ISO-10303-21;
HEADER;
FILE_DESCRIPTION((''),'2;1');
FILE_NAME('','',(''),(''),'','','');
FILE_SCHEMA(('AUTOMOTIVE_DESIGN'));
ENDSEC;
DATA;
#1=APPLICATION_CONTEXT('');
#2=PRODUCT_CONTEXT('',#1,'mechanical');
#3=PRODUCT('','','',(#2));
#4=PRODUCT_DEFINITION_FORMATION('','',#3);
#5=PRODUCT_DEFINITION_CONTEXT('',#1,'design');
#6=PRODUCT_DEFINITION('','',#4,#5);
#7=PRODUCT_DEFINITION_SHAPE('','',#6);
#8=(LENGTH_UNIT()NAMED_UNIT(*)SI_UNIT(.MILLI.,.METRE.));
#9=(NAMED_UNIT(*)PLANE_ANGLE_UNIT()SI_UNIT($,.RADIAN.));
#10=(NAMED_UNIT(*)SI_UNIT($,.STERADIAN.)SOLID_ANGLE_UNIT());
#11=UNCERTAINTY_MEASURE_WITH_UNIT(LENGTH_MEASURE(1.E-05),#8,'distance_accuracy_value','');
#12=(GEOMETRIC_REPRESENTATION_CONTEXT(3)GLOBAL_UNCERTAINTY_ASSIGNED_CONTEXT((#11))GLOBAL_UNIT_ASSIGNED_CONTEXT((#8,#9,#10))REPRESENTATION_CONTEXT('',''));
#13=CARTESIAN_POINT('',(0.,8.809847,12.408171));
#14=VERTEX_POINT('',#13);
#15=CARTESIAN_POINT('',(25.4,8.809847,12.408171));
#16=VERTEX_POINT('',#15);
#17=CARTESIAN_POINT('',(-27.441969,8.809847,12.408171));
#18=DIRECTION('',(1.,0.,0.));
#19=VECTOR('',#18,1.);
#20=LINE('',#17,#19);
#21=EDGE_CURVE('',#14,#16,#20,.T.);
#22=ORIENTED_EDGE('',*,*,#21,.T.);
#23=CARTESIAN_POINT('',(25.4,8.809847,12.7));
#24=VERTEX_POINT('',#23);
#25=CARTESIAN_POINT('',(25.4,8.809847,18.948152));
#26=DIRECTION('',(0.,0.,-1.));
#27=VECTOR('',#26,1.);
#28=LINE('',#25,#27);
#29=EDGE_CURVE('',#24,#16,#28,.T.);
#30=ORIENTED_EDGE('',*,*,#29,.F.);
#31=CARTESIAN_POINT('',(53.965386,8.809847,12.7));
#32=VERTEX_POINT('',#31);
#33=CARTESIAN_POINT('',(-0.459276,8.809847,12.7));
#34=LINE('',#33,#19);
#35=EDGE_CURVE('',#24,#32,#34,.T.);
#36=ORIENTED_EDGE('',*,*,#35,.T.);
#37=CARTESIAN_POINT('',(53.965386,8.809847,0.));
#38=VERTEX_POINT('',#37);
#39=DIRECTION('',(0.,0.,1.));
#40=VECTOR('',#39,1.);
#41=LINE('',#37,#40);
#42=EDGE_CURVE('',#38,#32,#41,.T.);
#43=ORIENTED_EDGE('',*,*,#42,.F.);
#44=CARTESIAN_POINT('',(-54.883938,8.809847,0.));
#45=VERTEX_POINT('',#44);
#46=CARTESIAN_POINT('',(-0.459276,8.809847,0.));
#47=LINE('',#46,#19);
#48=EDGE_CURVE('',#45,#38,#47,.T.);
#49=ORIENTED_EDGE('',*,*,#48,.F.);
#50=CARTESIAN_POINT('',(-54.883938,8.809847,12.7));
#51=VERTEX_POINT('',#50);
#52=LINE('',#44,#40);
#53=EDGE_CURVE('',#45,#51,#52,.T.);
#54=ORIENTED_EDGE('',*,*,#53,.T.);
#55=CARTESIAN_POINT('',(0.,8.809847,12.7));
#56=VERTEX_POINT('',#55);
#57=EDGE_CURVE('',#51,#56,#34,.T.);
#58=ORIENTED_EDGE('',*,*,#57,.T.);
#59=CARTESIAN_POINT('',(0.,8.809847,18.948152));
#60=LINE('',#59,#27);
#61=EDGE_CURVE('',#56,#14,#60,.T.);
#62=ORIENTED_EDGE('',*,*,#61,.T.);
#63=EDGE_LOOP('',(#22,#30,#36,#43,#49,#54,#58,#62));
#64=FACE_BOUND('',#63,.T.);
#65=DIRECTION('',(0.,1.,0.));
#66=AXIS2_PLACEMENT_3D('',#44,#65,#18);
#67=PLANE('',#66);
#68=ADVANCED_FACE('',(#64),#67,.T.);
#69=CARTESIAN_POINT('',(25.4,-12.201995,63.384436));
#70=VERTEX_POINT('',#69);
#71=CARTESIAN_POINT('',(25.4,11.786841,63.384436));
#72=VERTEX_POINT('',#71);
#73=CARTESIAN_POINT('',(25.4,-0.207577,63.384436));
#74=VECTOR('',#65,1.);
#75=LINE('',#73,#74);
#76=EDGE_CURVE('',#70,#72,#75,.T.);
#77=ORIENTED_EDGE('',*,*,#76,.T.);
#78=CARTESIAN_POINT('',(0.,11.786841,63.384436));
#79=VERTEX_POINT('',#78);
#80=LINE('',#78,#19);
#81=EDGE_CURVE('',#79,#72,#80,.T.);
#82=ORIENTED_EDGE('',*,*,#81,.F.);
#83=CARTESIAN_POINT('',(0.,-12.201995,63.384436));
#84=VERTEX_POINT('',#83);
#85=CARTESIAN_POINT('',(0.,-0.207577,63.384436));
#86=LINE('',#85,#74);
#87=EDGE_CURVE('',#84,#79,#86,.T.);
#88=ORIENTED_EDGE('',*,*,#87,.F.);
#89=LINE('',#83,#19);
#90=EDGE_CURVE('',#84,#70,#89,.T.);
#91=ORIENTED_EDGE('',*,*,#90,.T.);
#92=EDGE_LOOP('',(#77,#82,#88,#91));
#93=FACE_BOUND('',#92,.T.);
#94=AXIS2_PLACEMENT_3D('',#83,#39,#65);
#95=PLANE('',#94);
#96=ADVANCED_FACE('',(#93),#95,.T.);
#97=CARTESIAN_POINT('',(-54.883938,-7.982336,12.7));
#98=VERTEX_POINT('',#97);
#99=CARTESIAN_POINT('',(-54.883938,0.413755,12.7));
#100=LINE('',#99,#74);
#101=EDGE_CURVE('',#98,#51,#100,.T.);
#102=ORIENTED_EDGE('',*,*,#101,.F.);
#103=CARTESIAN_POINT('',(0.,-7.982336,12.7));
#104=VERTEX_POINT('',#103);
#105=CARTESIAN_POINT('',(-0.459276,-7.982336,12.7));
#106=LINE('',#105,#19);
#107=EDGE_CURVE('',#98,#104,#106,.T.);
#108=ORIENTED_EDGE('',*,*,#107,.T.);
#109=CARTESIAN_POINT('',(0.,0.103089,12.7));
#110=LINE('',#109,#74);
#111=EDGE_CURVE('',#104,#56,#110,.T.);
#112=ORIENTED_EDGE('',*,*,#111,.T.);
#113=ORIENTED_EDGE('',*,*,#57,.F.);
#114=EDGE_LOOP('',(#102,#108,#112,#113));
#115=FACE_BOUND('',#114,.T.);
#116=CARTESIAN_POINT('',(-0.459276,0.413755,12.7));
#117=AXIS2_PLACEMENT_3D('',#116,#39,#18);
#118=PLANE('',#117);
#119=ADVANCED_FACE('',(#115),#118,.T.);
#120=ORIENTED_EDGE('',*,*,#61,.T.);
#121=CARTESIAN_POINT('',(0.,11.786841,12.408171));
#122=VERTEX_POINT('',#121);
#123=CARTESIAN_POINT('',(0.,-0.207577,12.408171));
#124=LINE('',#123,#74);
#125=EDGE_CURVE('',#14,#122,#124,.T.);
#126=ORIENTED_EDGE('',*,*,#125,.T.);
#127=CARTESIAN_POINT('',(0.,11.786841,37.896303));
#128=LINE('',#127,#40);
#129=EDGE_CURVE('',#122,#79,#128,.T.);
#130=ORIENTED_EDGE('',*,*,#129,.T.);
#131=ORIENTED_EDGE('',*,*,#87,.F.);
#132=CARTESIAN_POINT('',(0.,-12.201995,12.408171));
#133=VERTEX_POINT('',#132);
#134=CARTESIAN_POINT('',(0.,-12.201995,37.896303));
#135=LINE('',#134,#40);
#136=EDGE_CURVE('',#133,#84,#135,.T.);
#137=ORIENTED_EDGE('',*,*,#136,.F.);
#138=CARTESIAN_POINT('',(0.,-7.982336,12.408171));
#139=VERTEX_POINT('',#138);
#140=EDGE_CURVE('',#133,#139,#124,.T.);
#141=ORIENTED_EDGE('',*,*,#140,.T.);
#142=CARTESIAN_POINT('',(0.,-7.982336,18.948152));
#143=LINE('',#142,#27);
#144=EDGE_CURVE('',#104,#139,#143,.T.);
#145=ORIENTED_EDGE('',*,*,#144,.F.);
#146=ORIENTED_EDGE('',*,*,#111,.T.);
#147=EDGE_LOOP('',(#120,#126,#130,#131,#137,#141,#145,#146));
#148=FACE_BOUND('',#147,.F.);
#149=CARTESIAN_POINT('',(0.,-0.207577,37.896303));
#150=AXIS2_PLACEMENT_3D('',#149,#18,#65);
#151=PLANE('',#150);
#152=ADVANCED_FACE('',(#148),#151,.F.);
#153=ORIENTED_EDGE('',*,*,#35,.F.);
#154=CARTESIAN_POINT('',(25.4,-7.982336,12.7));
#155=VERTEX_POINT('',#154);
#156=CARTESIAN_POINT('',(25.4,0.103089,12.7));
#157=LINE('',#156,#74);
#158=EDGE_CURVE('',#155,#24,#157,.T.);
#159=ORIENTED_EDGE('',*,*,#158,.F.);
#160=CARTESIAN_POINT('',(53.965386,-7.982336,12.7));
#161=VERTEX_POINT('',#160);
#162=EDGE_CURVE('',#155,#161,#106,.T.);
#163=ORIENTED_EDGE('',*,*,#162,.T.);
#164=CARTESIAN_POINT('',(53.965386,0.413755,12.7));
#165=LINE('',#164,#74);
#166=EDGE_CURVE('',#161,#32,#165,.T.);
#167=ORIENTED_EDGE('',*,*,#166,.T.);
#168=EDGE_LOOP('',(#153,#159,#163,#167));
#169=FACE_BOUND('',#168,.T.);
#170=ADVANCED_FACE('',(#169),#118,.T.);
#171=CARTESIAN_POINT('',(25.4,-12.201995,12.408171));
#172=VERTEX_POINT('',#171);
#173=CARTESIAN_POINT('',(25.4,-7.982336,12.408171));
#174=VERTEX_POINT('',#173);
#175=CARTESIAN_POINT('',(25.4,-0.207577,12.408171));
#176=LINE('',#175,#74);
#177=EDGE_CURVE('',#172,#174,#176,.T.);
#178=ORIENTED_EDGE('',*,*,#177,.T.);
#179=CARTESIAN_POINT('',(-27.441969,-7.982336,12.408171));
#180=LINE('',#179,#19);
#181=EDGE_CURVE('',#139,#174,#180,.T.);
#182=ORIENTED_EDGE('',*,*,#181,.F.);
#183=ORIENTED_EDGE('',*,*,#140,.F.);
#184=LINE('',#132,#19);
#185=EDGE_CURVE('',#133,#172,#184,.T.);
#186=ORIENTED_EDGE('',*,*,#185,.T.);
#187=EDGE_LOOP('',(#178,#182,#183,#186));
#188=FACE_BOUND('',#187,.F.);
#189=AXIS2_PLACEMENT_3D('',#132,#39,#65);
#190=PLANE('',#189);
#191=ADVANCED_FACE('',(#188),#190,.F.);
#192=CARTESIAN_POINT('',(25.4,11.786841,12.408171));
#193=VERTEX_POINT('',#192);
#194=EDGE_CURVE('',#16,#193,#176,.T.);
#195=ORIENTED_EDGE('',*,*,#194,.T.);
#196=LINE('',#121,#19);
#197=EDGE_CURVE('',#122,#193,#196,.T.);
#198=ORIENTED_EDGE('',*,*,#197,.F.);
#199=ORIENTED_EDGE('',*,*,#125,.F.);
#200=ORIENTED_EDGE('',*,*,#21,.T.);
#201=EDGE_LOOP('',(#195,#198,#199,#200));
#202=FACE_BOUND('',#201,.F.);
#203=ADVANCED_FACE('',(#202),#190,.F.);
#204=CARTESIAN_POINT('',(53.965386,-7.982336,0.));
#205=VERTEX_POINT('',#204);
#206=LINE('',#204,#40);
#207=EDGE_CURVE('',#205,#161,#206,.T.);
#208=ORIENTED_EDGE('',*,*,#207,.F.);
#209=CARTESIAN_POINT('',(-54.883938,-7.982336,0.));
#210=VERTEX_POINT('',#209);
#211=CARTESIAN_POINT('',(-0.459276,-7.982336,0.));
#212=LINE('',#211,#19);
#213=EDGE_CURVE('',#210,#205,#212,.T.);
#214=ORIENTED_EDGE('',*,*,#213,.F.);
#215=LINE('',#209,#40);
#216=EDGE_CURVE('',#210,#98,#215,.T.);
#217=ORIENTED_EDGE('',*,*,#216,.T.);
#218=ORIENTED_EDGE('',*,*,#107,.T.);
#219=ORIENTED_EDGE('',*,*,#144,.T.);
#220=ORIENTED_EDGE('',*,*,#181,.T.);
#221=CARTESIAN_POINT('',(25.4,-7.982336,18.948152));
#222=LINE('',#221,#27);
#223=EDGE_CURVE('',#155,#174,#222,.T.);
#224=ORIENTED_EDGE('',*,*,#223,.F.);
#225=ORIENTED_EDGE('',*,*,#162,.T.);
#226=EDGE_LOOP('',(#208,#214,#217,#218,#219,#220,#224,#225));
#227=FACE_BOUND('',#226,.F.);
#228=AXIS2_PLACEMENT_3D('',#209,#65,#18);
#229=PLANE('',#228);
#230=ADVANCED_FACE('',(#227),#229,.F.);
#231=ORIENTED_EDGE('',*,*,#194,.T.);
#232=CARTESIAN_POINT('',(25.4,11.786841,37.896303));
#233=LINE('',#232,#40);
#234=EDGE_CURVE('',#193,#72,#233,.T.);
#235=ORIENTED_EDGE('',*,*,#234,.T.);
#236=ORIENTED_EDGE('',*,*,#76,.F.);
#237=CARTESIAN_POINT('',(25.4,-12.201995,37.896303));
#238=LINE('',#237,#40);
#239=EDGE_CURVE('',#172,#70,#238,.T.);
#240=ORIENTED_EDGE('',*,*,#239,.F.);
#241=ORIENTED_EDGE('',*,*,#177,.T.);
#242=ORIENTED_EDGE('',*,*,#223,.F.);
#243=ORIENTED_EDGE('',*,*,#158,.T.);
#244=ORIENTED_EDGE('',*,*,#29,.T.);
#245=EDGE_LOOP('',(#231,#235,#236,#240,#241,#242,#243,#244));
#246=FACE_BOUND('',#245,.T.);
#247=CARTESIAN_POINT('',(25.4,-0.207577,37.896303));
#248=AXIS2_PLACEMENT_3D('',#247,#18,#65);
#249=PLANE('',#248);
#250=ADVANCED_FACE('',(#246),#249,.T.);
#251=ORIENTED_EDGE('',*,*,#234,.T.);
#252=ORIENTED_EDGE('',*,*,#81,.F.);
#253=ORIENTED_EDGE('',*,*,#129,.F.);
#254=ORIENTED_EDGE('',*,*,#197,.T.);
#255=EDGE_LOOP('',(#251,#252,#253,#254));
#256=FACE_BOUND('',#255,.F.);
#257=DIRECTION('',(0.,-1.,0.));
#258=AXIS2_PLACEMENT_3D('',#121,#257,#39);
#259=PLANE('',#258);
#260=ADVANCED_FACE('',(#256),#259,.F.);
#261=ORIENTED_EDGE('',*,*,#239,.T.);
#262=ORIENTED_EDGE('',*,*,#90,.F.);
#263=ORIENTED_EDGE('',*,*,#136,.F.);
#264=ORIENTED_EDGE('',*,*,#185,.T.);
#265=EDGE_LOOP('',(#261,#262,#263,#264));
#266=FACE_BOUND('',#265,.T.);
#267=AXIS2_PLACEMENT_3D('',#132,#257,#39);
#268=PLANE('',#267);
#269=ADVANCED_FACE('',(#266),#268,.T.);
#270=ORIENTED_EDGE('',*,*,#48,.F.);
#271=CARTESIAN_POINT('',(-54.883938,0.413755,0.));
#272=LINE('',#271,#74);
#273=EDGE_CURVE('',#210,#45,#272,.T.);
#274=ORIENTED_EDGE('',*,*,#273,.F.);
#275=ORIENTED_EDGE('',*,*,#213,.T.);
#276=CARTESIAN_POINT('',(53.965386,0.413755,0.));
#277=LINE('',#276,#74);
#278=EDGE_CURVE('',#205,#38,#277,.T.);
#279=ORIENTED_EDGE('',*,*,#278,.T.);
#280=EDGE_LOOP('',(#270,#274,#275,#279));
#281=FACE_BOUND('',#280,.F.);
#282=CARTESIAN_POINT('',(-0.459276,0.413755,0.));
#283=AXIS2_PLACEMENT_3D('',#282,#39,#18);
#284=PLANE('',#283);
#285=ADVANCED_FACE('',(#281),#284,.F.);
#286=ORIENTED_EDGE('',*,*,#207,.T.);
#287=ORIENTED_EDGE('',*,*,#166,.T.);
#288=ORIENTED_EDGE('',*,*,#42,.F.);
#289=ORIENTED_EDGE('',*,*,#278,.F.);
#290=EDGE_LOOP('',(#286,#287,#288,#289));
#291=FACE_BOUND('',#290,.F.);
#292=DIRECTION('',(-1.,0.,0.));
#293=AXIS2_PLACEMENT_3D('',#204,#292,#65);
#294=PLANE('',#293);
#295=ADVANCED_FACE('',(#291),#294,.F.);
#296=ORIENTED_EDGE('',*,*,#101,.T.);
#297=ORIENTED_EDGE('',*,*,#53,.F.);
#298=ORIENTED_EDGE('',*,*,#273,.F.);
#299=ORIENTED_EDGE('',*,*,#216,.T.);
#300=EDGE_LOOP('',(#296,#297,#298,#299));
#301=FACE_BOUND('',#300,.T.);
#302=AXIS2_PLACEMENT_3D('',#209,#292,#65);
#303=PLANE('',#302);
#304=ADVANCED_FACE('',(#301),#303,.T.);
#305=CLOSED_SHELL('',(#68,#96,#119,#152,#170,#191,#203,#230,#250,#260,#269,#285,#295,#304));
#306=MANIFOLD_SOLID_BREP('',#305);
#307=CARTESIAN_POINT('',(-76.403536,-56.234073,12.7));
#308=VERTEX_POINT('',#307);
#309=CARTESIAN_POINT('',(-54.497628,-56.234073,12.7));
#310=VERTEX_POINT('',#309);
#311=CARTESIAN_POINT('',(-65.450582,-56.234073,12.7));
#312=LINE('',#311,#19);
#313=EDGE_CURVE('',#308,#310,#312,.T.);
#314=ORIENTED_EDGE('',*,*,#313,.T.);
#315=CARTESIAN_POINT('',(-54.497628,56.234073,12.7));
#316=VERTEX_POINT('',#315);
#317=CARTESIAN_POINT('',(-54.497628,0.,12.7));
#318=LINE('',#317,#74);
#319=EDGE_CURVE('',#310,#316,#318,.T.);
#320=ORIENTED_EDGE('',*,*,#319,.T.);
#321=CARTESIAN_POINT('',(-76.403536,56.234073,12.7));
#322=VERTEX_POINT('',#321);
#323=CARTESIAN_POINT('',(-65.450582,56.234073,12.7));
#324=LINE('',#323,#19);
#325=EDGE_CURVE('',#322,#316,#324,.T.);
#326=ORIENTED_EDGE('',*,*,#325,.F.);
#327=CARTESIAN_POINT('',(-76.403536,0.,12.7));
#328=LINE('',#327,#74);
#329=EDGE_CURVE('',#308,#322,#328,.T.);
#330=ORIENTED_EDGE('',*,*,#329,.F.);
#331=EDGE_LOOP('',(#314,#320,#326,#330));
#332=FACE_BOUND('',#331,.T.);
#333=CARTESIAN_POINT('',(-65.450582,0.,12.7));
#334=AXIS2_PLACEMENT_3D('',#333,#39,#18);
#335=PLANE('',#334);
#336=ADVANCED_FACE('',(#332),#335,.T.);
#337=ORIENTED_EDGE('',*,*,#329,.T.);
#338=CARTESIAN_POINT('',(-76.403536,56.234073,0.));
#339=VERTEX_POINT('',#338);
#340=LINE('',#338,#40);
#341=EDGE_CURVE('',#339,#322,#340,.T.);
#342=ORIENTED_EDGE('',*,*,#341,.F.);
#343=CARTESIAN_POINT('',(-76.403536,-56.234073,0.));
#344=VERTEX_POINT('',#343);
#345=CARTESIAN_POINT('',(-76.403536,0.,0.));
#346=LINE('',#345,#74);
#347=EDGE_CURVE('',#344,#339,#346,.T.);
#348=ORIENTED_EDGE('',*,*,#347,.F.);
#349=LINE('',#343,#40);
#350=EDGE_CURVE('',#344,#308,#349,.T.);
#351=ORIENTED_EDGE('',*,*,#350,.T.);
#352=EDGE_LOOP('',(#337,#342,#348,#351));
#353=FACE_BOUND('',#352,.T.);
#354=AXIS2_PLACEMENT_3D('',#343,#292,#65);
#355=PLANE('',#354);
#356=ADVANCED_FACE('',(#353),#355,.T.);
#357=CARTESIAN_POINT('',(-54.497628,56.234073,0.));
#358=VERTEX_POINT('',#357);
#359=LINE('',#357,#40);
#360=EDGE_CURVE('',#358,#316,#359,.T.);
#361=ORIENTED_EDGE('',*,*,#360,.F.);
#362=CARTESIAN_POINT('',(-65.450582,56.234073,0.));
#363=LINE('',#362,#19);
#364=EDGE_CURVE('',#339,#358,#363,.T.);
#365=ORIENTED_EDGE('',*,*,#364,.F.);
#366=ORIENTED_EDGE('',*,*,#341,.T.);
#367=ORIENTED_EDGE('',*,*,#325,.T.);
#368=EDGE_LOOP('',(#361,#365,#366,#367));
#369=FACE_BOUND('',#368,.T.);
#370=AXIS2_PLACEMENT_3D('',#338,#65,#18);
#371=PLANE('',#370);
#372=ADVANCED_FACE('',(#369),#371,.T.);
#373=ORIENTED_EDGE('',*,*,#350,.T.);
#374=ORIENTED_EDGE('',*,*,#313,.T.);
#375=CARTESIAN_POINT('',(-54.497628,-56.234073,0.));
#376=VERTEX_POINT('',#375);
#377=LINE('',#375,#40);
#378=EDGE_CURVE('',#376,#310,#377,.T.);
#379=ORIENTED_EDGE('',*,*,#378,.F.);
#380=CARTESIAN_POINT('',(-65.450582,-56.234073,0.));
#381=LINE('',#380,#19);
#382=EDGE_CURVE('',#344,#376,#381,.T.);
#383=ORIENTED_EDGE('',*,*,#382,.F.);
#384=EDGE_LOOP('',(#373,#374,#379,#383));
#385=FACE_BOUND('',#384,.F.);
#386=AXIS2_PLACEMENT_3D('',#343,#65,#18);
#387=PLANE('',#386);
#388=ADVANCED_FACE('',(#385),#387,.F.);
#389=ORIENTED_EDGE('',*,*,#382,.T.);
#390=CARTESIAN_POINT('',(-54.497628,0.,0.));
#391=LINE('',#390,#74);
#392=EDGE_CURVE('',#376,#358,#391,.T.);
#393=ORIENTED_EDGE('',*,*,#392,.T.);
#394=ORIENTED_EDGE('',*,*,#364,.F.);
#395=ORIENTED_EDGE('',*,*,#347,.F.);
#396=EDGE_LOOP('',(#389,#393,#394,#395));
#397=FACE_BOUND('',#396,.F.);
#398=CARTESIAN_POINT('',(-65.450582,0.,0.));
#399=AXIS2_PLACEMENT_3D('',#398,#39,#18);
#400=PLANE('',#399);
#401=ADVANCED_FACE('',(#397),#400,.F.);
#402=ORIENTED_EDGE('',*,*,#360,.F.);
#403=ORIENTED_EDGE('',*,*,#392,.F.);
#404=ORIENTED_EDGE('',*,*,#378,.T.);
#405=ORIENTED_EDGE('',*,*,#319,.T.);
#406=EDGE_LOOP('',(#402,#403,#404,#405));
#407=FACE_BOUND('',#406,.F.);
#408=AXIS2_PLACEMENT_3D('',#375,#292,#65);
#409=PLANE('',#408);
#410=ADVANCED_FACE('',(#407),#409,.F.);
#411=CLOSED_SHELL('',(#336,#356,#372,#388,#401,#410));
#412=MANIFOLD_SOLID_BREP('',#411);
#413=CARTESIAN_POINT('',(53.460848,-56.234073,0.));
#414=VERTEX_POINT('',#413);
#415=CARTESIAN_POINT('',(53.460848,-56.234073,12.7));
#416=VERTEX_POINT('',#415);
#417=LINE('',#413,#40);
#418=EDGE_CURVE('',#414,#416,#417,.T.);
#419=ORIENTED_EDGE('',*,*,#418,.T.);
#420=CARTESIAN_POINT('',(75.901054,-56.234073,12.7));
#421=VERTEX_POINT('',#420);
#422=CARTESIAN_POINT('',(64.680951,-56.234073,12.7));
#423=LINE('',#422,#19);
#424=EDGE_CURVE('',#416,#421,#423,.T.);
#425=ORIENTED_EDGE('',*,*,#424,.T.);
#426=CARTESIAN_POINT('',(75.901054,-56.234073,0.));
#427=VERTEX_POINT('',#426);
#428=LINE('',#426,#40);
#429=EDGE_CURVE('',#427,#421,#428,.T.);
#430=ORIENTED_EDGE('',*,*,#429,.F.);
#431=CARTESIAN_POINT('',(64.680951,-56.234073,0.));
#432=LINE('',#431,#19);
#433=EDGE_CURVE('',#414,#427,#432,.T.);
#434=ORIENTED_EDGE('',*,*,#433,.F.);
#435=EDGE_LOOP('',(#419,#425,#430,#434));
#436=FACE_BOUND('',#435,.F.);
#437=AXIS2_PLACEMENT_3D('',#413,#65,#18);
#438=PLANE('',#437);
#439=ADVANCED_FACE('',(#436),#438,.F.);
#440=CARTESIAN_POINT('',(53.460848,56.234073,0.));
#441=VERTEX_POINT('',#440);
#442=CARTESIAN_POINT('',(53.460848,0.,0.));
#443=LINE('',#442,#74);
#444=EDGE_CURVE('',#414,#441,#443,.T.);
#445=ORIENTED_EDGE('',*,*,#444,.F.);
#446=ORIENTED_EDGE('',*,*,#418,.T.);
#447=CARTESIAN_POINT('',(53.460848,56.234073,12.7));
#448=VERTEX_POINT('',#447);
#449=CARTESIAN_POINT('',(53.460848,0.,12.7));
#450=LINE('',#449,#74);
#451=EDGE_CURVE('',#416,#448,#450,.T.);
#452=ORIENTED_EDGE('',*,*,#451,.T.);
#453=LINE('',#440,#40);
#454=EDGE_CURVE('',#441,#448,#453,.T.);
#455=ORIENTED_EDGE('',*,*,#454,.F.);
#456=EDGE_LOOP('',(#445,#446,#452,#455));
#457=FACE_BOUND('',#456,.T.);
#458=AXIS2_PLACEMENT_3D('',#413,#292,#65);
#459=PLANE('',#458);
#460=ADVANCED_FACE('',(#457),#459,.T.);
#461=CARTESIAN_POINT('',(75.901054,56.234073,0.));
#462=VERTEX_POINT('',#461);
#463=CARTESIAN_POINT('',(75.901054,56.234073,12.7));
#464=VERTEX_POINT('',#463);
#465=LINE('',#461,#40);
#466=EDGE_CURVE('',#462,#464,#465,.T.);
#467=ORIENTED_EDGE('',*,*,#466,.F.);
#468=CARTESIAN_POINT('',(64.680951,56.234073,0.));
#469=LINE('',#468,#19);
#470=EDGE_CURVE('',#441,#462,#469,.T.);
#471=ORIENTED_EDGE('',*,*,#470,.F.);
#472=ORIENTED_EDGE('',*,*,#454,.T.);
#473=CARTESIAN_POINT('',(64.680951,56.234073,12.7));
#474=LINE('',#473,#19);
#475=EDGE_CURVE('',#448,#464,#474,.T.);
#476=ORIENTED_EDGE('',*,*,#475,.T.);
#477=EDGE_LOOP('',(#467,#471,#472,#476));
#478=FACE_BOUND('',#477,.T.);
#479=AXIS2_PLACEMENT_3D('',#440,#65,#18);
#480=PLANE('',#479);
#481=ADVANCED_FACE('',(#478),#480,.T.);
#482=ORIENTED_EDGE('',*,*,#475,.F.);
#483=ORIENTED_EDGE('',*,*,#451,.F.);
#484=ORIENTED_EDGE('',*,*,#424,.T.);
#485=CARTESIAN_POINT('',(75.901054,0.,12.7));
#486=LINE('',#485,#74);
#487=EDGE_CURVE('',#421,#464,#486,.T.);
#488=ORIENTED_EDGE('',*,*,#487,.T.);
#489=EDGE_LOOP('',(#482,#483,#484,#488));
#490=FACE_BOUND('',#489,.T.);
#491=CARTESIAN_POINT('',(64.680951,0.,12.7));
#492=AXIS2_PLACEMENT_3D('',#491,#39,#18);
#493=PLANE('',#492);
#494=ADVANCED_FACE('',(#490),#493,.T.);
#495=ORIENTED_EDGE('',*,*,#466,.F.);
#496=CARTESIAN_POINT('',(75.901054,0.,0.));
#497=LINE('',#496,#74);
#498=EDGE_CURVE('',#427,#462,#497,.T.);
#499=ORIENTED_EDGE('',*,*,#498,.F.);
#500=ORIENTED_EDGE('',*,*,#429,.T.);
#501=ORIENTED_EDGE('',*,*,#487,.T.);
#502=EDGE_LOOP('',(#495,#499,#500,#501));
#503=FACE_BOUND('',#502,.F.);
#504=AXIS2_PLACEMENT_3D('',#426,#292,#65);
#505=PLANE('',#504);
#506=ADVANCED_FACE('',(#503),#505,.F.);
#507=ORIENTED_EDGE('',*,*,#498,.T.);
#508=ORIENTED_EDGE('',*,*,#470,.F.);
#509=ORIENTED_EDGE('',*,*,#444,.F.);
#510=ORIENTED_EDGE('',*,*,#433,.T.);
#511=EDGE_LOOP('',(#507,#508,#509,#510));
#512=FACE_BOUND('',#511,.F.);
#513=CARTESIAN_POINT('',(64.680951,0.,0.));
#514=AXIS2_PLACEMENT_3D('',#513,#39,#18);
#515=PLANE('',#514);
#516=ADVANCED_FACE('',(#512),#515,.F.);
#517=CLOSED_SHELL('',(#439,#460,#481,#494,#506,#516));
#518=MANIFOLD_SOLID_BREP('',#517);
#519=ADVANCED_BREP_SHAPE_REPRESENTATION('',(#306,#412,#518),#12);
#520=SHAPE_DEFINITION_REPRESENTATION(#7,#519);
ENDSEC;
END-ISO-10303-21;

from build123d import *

# Parameters (mm, degrees)
F0_W     = 21.905907
F0_H     = 112.468146
F0_W_2   = 22.440206
F1_DEPTH = 12.7
F2_W     = 108.849324
F2_H     = 16.792183
F3_DEPTH = 12.7
F4_W     = 23.988836
F4_H     = 50.976265
F5_DEPTH = 25.4


with BuildPart() as f1:
    # F0 (on Top) → F1 (new body)
    with BuildSketch(Plane.XY):
        with Locations((-65.450582, 0)):
            Rectangle(F0_W, F0_H)
        with Locations((64.680951, 0)):
            Rectangle(F0_W_2, F0_H)
    extrude(amount=F1_DEPTH)


with BuildPart() as f3:
    # F2 (on Top) → F3 (new body)
    with BuildSketch(Plane.XY):
        with Locations((-0.459276, 0.413755)):
            Rectangle(F2_W, F2_H)
    extrude(amount=F3_DEPTH)

    # F4 (on Right) → F5 (join)
    with BuildSketch(Plane.YZ):
        with Locations((-0.207577, 37.896303)):
            Rectangle(F4_W, F4_H)
    extrude(amount=F5_DEPTH)


solid = Compound([f1.part, f3.part])
